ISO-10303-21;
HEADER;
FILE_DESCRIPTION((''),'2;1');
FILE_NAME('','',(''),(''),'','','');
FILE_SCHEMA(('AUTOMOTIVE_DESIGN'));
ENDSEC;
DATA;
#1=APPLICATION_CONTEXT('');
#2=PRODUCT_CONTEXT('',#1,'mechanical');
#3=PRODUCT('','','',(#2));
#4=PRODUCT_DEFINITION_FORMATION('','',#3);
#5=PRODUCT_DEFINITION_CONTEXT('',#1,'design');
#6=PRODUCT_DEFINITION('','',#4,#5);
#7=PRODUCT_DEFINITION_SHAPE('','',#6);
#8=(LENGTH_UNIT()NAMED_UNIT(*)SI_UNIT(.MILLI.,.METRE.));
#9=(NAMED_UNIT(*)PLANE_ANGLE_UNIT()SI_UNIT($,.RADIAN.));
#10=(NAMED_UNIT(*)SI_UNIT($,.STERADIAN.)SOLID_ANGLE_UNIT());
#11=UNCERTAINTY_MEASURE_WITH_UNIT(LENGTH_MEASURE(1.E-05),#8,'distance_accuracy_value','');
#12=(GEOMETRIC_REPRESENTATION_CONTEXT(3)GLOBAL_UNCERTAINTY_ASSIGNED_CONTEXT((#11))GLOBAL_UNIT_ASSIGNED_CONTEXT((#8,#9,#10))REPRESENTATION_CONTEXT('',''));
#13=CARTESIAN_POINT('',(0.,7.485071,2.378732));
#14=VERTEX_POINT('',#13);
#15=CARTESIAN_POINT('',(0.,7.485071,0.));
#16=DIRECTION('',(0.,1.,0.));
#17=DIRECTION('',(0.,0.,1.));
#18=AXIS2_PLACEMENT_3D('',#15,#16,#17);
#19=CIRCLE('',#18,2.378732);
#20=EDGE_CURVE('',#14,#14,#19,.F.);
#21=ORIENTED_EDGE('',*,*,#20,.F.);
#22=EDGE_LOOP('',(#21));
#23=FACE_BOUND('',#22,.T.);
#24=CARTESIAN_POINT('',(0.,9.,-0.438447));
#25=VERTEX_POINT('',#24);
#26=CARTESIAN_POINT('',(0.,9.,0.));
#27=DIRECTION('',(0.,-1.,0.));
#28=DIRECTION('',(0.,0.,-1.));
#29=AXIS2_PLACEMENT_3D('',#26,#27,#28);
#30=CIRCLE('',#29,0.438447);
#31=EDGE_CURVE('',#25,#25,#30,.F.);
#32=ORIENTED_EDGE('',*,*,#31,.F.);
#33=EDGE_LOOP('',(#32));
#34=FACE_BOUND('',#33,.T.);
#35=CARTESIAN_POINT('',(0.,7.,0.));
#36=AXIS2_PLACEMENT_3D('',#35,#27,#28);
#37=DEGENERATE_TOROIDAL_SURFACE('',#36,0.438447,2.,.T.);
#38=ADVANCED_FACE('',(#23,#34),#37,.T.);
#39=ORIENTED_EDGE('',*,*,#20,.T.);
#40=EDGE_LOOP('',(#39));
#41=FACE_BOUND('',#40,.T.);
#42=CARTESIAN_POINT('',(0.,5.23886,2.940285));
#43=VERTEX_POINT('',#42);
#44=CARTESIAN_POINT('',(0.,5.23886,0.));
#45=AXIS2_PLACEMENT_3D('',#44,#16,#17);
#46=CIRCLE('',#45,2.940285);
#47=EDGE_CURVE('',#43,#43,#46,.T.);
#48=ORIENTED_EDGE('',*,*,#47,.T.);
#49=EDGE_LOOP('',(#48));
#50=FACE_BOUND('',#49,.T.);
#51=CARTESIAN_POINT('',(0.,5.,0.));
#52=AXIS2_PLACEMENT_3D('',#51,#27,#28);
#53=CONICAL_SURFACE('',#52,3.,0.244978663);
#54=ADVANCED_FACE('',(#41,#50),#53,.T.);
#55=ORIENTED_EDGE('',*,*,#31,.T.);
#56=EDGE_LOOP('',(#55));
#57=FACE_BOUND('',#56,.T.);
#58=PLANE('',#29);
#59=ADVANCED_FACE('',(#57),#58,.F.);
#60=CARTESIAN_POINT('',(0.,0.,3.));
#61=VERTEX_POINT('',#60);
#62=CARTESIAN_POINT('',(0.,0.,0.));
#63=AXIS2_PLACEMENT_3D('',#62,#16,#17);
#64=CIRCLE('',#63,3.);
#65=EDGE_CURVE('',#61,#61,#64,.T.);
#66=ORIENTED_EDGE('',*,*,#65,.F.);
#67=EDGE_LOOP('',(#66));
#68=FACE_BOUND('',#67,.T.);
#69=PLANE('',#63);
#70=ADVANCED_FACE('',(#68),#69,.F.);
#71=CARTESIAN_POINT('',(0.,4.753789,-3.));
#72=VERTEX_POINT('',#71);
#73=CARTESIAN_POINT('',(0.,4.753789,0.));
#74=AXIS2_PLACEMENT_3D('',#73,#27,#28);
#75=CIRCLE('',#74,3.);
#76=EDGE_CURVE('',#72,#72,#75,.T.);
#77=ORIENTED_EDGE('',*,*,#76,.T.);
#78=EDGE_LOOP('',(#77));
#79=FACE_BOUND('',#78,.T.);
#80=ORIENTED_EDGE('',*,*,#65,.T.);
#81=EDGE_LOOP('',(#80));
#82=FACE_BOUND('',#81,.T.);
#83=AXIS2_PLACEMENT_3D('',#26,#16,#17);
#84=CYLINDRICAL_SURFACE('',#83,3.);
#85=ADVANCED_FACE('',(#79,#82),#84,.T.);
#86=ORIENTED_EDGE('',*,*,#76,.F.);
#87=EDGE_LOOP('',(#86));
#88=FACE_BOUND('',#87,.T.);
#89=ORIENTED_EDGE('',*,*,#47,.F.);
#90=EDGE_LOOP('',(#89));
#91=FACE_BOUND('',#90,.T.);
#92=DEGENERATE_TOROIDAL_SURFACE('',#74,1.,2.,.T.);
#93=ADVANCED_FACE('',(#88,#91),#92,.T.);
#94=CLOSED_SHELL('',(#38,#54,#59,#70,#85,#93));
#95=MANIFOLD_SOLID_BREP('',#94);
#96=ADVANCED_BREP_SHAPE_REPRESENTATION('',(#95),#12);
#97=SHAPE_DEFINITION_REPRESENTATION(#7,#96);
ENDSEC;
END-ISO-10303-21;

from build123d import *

# Parameters (mm, degrees)
FILLET1_R = 2
FILLET2_R = 2


with BuildPart() as part:
    # Sketch1 → Revolve1 (revolve)
    with BuildSketch(Plane.XY):
        Polygon((0, 0), (3, 0), (3, 5), (2, 9), (0, 9), align=None)
    revolve(axis=Axis((0, 9, 0), (0, -1, 0)))

    # Fillet1
    fillet1_edges = [part.edges().sort_by_distance(p)[0] for p in [
        (-2, 9, 0),
    ]]
    fillet(fillet1_edges, radius=FILLET1_R)

    # Fillet2
    fillet2_edges = [part.edges().sort_by_distance(p)[0] for p in [
        (-3, 5, 0),
    ]]
    fillet(fillet2_edges, radius=FILLET2_R)


solid = part.part
